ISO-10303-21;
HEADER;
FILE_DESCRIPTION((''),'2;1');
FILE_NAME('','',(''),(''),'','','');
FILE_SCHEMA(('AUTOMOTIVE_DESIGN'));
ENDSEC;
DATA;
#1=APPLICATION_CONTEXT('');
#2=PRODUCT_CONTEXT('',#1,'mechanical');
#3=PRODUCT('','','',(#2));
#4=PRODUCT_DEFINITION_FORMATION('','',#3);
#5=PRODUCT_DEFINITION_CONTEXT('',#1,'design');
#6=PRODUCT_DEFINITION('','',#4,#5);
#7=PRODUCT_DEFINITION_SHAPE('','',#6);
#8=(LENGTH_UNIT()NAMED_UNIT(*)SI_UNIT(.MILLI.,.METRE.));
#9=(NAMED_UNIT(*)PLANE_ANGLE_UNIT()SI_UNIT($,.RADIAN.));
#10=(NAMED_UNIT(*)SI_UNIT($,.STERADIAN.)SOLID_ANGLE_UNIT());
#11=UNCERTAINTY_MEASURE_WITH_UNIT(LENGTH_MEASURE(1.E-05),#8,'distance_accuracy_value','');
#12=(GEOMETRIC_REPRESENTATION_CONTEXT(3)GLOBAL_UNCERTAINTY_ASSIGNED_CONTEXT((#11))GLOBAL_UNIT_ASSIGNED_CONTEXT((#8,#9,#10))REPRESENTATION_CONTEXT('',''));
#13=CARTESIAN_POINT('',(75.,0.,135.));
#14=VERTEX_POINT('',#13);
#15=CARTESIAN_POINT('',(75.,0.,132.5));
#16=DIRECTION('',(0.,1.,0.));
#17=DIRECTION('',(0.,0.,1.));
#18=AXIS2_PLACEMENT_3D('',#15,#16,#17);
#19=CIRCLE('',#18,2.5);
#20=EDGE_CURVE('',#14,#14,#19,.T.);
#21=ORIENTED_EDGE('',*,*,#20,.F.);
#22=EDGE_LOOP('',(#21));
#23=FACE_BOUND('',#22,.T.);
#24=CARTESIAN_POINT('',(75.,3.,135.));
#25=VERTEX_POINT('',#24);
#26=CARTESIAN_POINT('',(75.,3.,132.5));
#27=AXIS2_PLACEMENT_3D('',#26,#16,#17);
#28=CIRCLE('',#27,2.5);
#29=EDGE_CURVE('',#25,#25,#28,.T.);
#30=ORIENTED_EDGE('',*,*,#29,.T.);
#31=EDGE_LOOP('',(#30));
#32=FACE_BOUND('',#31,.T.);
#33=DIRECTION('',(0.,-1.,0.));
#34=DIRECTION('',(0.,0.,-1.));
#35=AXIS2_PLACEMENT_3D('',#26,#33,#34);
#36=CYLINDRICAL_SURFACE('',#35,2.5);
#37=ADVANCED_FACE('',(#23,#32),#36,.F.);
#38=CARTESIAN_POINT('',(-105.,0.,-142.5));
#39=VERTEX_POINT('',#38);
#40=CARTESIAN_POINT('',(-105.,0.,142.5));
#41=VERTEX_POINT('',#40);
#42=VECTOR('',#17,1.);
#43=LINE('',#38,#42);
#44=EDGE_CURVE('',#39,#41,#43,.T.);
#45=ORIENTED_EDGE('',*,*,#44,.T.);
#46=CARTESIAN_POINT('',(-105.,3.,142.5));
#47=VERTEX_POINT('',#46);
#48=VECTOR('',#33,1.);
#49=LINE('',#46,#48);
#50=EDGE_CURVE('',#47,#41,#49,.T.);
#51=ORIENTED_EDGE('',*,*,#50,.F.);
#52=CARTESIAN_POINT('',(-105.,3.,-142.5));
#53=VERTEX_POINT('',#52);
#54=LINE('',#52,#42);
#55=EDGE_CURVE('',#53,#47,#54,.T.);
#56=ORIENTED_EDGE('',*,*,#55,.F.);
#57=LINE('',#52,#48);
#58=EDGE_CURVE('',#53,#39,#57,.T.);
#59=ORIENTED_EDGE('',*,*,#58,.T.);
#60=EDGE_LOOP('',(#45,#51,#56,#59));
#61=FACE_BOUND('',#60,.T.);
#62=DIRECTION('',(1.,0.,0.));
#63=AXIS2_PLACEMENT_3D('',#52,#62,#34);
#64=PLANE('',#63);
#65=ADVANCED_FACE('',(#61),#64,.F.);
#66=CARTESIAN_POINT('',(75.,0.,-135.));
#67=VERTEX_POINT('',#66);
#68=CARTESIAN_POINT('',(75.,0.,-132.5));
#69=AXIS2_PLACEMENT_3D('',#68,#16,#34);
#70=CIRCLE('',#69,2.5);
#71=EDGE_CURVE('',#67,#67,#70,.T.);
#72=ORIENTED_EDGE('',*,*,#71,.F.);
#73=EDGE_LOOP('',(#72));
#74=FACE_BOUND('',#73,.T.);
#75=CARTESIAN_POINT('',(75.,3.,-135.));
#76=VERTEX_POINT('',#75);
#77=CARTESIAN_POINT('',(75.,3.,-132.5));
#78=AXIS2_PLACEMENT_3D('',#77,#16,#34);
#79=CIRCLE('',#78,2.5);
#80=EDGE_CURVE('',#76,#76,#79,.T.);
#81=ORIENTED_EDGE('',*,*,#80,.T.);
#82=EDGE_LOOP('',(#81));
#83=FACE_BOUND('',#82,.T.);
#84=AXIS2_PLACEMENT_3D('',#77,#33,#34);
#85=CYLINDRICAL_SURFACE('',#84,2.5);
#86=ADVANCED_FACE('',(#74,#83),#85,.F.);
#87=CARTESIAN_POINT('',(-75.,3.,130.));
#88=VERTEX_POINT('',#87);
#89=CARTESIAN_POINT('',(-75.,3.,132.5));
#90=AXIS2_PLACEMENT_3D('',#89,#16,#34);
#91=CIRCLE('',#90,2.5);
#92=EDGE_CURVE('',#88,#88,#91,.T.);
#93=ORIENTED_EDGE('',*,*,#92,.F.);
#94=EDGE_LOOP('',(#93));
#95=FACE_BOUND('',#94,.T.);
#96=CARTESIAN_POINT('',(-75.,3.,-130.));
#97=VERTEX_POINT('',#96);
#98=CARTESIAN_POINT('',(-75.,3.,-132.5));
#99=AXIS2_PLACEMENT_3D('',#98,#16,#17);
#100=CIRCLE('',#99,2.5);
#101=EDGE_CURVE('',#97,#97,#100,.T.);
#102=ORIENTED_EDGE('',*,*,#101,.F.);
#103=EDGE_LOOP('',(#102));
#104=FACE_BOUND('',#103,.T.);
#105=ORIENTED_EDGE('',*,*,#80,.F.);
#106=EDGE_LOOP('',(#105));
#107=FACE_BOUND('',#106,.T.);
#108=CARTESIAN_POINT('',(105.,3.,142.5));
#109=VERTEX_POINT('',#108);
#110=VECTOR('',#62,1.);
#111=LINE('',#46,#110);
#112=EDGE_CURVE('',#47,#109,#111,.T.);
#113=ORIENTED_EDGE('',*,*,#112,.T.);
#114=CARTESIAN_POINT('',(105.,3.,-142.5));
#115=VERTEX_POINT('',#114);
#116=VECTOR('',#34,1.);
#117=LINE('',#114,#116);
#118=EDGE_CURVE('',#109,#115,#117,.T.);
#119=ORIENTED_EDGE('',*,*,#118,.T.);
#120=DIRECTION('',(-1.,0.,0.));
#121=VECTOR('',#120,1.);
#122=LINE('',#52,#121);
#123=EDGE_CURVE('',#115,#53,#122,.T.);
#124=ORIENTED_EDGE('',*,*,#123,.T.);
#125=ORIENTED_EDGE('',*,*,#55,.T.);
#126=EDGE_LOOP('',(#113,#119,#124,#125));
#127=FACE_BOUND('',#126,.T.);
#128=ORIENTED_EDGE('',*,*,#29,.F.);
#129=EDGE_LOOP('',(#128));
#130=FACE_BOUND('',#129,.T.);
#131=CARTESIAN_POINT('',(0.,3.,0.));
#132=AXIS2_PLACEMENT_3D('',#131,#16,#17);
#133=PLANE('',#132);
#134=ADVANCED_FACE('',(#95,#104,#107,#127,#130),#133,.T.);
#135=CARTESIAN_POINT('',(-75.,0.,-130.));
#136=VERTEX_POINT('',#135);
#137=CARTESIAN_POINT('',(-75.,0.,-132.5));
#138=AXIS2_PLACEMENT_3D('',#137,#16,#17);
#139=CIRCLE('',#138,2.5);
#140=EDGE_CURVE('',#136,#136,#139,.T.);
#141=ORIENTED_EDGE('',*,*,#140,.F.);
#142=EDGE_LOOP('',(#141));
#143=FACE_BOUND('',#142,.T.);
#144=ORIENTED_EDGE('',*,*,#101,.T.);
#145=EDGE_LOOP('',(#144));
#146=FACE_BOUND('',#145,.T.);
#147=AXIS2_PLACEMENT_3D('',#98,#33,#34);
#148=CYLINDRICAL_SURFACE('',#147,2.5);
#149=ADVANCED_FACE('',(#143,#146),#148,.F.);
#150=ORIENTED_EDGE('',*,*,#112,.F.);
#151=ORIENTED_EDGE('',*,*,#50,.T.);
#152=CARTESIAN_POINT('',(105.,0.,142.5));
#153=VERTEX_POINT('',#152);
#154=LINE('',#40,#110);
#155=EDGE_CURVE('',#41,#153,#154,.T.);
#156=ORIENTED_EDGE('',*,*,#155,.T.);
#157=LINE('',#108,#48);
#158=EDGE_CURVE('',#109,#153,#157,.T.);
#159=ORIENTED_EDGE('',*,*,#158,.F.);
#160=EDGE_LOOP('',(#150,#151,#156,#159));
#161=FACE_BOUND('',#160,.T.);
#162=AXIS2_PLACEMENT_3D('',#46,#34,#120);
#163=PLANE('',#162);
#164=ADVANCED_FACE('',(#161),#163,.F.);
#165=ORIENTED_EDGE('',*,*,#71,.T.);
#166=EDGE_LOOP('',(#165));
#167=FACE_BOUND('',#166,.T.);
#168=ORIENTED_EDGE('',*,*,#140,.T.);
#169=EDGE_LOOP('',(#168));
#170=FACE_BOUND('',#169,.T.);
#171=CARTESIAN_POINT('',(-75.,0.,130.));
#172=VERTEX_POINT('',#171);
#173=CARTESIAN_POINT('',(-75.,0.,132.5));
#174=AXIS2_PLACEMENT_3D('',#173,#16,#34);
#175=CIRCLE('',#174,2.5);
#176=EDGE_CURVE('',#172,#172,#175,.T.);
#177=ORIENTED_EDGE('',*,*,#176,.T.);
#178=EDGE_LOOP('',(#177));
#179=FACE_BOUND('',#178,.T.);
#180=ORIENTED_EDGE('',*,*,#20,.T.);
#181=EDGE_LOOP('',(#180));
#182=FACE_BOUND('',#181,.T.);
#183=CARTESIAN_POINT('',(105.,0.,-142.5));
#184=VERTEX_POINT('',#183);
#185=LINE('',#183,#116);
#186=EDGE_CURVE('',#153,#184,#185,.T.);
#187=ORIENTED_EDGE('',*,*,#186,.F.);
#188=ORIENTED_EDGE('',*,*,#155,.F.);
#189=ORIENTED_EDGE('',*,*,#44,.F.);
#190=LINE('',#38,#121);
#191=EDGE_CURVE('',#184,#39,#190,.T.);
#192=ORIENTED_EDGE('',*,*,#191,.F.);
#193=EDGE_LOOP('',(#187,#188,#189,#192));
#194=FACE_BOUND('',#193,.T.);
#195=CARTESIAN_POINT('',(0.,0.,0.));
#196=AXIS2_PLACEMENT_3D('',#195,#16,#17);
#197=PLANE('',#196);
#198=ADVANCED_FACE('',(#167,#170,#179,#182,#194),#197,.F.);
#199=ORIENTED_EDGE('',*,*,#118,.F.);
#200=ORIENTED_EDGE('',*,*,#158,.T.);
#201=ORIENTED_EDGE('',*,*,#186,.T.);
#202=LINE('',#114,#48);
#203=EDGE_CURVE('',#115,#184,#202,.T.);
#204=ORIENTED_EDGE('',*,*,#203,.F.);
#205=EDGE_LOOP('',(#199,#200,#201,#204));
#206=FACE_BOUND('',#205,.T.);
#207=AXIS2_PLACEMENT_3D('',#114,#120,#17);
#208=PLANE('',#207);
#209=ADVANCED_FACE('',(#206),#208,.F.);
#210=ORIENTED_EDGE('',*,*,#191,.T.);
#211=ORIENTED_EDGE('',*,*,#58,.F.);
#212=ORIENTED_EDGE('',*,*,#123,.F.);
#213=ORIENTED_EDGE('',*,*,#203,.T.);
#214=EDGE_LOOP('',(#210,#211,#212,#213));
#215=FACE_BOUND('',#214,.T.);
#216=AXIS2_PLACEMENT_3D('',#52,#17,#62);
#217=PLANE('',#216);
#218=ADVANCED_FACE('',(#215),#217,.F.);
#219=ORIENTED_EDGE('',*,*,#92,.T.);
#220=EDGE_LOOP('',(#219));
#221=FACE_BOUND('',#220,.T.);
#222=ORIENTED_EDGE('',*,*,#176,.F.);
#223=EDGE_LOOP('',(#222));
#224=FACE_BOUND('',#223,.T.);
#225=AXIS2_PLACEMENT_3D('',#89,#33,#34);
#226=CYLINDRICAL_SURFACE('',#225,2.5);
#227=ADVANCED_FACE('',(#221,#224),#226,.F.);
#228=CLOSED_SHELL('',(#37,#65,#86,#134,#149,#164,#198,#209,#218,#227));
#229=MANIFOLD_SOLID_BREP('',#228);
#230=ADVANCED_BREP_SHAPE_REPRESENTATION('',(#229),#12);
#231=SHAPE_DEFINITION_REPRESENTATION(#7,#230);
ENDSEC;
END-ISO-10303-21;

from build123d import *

# Parameters (mm, degrees)
SKETCH1_W           = 210
SKETCH1_H           = 285
SKETCH1_R           = 2.5
BOSS_EXTRUDE1_DEPTH = 3


with BuildPart() as part:
    # Sketch1 → Boss-Extrude1 (new body)
    with BuildSketch(Plane(origin=(0, 0, 0), x_dir=(1, 0, 0), z_dir=(0, 1, 0))):
        Rectangle(SKETCH1_W, SKETCH1_H)
        with Locations(Location((-75, 132.5, 0), (0, 0, 270))):
            Circle(SKETCH1_R, mode=Mode.SUBTRACT)
        with Locations(Location((-75, -132.5, 0), (0, 0, 90))):
            Circle(SKETCH1_R, mode=Mode.SUBTRACT)
        with Locations(Location((75, -132.5, 0), (0, 0, 270))):
            Circle(SKETCH1_R, mode=Mode.SUBTRACT)
        with Locations(Location((75, 132.5, 0), (0, 0, 90))):
            Circle(SKETCH1_R, mode=Mode.SUBTRACT)
    extrude(amount=BOSS_EXTRUDE1_DEPTH)


solid = part.part
